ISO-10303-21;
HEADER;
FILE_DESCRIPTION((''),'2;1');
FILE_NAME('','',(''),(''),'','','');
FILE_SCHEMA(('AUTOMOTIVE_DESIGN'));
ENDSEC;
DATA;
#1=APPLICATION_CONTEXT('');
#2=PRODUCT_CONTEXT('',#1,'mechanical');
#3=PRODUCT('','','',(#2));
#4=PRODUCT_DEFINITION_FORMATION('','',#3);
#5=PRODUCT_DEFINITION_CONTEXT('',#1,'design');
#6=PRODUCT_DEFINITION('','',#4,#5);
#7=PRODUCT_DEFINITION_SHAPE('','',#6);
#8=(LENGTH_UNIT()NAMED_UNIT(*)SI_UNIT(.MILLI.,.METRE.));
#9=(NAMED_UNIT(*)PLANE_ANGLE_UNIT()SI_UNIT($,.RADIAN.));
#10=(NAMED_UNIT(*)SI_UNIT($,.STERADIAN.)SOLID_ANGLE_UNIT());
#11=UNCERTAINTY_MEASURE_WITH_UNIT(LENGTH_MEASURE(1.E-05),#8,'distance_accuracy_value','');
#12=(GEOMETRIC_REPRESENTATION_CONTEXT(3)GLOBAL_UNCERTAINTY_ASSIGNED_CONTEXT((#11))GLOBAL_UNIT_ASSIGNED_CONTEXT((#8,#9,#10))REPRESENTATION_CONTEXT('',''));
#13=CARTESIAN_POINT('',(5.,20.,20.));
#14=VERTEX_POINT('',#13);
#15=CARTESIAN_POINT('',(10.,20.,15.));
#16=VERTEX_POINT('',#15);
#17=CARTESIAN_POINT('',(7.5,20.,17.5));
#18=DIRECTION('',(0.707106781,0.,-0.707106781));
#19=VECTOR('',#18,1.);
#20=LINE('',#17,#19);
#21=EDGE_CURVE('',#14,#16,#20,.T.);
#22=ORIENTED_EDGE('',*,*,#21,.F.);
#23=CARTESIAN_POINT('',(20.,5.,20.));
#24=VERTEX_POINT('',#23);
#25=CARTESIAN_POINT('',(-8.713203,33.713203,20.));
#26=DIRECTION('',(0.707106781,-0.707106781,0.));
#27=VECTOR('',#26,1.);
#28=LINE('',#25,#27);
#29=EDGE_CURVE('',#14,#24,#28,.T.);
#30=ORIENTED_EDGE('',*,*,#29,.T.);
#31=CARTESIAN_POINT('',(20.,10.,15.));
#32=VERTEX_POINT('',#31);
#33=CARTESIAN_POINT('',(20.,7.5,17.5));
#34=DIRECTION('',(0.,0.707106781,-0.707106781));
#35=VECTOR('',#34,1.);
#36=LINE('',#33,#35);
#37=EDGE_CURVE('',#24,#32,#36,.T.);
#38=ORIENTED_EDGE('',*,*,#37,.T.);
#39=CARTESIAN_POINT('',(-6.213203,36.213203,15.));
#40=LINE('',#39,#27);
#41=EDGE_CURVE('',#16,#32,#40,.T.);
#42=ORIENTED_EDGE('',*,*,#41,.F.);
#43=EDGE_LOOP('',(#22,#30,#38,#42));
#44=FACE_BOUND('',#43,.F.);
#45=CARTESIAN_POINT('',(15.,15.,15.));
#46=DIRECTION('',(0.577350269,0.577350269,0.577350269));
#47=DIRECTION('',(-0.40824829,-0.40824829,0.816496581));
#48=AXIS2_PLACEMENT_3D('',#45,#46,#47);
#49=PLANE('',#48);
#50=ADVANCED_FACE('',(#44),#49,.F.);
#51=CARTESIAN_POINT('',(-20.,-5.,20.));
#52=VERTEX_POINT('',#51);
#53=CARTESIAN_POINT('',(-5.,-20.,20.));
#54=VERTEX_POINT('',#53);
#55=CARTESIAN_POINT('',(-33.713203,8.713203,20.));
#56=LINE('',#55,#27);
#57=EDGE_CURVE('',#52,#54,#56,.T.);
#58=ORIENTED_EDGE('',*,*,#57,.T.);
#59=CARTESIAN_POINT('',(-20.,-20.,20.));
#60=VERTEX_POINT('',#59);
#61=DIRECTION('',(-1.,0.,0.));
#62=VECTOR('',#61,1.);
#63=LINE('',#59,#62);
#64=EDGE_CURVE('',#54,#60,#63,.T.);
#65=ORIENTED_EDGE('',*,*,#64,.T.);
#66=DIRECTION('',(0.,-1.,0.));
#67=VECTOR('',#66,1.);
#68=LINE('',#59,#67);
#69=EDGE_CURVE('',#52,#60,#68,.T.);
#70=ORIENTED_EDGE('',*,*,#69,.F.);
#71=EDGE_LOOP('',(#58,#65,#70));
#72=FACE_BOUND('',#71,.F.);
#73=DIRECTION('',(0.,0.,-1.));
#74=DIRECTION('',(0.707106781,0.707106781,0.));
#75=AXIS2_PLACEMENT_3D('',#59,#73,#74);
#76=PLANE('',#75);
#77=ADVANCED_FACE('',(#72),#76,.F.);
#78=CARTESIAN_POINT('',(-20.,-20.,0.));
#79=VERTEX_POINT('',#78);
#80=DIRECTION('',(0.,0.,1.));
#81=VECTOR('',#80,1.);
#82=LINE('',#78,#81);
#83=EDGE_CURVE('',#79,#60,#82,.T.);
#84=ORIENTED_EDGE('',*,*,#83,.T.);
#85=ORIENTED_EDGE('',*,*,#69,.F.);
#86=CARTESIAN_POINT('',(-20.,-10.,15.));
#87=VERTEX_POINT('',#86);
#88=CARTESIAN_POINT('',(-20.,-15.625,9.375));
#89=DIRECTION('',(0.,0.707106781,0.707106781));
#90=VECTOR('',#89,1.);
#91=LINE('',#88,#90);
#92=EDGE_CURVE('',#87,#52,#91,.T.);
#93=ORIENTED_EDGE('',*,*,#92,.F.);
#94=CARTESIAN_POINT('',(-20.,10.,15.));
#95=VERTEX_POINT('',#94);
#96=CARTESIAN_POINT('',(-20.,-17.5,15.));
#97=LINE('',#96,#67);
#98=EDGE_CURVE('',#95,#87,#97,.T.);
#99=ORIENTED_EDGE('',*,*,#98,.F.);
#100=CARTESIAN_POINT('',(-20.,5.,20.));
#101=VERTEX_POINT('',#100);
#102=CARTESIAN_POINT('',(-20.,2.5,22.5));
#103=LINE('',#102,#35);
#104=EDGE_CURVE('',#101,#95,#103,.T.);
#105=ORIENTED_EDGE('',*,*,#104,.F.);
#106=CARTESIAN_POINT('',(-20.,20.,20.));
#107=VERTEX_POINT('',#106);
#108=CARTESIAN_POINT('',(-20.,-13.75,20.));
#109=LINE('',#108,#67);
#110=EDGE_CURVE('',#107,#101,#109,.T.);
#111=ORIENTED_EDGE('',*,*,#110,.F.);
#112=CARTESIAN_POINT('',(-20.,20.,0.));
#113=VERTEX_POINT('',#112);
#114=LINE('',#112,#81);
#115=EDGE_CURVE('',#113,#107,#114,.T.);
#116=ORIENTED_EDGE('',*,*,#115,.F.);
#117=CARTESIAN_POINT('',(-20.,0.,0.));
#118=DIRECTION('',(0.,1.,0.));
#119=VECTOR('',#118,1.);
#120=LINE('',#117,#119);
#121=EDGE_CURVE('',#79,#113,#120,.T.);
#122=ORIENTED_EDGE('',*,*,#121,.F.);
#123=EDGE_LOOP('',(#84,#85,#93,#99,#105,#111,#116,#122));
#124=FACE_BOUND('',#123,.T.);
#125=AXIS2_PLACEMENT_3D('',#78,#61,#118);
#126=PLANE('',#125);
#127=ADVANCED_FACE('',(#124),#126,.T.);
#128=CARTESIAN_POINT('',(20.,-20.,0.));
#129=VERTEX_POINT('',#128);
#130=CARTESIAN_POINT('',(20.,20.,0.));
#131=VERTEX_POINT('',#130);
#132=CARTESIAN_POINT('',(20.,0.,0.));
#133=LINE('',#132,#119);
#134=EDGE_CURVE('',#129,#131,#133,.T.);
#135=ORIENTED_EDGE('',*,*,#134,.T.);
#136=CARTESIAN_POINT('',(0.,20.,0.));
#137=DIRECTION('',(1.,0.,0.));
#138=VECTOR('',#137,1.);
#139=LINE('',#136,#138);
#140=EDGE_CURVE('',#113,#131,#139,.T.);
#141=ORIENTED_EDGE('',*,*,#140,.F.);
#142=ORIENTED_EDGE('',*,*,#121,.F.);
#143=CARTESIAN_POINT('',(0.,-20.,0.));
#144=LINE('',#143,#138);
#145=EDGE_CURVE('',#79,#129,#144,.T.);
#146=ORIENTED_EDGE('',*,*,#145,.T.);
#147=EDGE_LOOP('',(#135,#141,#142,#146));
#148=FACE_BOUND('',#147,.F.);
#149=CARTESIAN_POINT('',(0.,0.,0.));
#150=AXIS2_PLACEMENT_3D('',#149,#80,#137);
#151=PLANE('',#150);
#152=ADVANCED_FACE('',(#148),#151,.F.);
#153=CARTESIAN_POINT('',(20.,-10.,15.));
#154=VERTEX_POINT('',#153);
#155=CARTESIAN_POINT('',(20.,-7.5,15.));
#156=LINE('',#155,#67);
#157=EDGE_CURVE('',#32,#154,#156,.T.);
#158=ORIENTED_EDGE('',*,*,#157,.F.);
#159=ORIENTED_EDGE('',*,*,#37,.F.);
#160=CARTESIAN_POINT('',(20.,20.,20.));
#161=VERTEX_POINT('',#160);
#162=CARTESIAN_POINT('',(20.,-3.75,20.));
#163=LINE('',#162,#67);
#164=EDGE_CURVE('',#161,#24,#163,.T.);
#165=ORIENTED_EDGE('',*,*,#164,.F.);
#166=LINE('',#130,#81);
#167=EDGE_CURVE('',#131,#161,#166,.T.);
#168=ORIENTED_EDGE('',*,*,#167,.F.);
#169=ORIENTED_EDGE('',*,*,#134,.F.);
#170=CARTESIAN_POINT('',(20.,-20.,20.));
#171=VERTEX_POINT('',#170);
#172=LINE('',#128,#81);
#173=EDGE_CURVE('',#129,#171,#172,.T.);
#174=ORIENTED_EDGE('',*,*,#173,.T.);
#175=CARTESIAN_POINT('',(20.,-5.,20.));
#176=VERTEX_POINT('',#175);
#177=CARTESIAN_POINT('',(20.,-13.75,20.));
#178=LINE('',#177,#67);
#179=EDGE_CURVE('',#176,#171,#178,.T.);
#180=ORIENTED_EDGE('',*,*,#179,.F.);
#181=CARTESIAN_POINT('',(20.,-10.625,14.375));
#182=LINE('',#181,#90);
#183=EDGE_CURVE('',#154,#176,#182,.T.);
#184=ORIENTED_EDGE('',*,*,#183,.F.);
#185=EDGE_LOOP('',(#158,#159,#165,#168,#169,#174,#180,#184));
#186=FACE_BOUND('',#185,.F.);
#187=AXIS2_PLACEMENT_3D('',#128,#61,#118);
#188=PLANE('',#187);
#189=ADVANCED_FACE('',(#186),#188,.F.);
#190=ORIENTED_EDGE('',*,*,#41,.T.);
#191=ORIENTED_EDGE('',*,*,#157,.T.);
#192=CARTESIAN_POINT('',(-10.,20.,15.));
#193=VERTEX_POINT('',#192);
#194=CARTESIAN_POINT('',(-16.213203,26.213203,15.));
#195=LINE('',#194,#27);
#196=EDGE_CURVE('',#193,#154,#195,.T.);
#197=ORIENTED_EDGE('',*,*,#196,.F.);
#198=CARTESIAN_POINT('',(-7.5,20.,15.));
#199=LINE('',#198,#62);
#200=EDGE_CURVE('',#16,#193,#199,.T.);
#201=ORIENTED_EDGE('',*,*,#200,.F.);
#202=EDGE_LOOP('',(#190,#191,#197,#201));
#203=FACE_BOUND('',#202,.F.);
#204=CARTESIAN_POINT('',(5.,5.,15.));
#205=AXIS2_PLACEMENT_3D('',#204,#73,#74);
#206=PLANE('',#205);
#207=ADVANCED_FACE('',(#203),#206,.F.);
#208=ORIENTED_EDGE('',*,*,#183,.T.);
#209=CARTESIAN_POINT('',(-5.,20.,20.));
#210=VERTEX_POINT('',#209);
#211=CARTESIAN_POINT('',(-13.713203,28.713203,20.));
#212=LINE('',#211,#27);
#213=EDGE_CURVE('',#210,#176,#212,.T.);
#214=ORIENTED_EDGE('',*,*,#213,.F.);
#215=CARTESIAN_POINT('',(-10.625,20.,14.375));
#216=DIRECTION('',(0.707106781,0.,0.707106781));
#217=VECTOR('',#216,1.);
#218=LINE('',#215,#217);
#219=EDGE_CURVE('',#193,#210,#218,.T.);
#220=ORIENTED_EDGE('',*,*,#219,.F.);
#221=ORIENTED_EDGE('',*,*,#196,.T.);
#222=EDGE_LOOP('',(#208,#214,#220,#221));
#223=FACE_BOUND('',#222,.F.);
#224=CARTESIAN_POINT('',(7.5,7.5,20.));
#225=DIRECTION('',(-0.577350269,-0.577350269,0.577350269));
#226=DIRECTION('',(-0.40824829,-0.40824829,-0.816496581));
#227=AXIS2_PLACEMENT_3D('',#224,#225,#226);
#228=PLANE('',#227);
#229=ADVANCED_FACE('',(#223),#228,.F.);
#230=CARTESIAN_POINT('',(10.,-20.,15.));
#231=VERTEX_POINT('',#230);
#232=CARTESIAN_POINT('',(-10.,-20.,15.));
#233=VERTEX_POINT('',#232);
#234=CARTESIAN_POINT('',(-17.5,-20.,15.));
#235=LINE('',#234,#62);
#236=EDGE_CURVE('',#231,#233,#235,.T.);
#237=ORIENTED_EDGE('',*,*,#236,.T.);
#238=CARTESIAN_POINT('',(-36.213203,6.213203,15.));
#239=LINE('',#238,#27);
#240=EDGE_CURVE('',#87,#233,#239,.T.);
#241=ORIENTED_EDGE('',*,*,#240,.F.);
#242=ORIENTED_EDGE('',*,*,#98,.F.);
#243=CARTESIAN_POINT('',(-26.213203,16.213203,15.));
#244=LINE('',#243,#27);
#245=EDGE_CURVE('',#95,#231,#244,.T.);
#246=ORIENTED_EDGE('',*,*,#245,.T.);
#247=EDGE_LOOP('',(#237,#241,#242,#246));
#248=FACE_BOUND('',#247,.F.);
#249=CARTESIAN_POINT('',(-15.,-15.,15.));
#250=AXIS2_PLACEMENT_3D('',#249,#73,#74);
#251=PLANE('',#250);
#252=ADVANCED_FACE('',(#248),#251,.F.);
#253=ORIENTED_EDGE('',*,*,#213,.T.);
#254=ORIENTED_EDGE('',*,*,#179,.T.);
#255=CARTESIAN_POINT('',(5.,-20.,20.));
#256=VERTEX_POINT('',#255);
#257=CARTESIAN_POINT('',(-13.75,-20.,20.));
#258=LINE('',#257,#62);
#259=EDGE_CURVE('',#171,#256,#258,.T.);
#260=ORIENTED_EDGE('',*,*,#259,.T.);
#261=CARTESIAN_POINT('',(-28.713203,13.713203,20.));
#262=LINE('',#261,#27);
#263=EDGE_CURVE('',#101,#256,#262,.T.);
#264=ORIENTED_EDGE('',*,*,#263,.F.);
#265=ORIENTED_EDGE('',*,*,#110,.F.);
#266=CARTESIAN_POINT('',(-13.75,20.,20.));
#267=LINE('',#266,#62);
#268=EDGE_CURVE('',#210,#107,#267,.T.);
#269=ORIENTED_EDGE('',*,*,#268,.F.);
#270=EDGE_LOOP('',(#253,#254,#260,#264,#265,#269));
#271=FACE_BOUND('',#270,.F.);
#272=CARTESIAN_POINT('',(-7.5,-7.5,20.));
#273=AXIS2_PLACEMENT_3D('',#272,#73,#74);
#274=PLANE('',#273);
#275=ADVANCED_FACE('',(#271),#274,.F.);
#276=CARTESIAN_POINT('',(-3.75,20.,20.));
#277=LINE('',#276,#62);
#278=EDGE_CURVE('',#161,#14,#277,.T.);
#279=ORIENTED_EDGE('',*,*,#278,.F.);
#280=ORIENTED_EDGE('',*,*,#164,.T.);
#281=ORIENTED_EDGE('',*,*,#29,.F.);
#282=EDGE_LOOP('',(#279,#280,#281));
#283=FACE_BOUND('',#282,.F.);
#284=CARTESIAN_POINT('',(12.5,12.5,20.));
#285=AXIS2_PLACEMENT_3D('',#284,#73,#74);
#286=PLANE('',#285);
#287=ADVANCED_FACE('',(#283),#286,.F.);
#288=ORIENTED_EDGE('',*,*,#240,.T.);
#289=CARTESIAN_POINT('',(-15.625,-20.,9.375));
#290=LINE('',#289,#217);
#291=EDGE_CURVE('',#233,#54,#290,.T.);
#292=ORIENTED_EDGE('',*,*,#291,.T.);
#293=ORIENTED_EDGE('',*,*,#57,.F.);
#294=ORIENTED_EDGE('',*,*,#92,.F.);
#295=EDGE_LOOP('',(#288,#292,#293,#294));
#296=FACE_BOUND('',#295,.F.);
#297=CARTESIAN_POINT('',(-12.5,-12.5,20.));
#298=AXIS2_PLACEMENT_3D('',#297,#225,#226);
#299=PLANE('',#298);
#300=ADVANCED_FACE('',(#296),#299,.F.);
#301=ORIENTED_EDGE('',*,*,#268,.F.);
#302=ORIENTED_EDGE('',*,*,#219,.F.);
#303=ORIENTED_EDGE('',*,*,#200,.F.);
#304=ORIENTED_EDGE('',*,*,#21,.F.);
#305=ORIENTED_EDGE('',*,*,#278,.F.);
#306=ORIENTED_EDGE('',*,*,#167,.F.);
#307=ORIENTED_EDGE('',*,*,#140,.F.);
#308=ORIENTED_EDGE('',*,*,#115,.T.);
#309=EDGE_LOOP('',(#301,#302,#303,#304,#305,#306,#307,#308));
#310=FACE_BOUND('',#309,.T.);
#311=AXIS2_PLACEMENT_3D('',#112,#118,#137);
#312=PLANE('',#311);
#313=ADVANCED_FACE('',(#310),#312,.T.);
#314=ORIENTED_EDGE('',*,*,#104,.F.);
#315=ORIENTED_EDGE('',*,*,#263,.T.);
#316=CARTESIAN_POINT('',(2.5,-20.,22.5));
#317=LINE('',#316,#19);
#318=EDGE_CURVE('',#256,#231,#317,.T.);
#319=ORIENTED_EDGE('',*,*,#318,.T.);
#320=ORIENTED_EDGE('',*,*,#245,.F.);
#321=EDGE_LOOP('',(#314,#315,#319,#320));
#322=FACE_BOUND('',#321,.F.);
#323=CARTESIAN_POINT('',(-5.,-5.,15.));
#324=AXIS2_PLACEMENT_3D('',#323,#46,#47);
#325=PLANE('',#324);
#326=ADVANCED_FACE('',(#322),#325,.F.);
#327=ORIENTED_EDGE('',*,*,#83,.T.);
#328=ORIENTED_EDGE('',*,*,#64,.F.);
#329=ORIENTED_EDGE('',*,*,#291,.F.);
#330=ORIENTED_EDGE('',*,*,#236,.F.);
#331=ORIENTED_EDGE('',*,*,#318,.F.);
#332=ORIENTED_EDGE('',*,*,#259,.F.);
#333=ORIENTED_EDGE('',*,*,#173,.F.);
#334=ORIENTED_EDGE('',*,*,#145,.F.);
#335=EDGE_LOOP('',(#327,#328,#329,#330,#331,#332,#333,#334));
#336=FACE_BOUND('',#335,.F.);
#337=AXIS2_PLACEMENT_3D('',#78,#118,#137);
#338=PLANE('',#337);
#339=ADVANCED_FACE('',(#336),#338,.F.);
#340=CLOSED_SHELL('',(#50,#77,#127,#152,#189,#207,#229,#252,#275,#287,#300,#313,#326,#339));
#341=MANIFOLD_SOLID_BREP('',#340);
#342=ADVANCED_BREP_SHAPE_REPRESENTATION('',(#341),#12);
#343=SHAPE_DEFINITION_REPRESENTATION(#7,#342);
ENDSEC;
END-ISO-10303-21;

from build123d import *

# Parameters (mm, degrees)
F0_W     = 40
F0_H     = 40
F1_DEPTH = 40
F4_DEPTH = 30


with BuildPart() as f1:
    # F0 (on Top) → F1 (new body)
    with BuildSketch(Plane.XY):
        Rectangle(F0_W, F0_H)
    extrude(amount=F1_DEPTH)

    # F3 (on 3pt) → F4 (cut, symmetric)
    with BuildSketch(Plane(origin=(0, 0, 0), x_dir=(0.7071067812, 0.7071067812, 0), z_dir=(0.7071067812, -0.7071067812, 0))):
        Polygon((-28.2842712475, 40), (-28.2842712475, 20), (-17.6776695297, 20), (-21.2132034356, 15), (-7.0710678119, 15), (-10.6066017178, 20), (10.6066017178, 20), (7.0710678119, 15), (21.2132034356, 15), (17.6776695297, 20), (28.2842712475, 20), (28.2842712475, 40), align=None)
    extrude(amount=F4_DEPTH, both=True, mode=Mode.SUBTRACT)


solid = f1.part
